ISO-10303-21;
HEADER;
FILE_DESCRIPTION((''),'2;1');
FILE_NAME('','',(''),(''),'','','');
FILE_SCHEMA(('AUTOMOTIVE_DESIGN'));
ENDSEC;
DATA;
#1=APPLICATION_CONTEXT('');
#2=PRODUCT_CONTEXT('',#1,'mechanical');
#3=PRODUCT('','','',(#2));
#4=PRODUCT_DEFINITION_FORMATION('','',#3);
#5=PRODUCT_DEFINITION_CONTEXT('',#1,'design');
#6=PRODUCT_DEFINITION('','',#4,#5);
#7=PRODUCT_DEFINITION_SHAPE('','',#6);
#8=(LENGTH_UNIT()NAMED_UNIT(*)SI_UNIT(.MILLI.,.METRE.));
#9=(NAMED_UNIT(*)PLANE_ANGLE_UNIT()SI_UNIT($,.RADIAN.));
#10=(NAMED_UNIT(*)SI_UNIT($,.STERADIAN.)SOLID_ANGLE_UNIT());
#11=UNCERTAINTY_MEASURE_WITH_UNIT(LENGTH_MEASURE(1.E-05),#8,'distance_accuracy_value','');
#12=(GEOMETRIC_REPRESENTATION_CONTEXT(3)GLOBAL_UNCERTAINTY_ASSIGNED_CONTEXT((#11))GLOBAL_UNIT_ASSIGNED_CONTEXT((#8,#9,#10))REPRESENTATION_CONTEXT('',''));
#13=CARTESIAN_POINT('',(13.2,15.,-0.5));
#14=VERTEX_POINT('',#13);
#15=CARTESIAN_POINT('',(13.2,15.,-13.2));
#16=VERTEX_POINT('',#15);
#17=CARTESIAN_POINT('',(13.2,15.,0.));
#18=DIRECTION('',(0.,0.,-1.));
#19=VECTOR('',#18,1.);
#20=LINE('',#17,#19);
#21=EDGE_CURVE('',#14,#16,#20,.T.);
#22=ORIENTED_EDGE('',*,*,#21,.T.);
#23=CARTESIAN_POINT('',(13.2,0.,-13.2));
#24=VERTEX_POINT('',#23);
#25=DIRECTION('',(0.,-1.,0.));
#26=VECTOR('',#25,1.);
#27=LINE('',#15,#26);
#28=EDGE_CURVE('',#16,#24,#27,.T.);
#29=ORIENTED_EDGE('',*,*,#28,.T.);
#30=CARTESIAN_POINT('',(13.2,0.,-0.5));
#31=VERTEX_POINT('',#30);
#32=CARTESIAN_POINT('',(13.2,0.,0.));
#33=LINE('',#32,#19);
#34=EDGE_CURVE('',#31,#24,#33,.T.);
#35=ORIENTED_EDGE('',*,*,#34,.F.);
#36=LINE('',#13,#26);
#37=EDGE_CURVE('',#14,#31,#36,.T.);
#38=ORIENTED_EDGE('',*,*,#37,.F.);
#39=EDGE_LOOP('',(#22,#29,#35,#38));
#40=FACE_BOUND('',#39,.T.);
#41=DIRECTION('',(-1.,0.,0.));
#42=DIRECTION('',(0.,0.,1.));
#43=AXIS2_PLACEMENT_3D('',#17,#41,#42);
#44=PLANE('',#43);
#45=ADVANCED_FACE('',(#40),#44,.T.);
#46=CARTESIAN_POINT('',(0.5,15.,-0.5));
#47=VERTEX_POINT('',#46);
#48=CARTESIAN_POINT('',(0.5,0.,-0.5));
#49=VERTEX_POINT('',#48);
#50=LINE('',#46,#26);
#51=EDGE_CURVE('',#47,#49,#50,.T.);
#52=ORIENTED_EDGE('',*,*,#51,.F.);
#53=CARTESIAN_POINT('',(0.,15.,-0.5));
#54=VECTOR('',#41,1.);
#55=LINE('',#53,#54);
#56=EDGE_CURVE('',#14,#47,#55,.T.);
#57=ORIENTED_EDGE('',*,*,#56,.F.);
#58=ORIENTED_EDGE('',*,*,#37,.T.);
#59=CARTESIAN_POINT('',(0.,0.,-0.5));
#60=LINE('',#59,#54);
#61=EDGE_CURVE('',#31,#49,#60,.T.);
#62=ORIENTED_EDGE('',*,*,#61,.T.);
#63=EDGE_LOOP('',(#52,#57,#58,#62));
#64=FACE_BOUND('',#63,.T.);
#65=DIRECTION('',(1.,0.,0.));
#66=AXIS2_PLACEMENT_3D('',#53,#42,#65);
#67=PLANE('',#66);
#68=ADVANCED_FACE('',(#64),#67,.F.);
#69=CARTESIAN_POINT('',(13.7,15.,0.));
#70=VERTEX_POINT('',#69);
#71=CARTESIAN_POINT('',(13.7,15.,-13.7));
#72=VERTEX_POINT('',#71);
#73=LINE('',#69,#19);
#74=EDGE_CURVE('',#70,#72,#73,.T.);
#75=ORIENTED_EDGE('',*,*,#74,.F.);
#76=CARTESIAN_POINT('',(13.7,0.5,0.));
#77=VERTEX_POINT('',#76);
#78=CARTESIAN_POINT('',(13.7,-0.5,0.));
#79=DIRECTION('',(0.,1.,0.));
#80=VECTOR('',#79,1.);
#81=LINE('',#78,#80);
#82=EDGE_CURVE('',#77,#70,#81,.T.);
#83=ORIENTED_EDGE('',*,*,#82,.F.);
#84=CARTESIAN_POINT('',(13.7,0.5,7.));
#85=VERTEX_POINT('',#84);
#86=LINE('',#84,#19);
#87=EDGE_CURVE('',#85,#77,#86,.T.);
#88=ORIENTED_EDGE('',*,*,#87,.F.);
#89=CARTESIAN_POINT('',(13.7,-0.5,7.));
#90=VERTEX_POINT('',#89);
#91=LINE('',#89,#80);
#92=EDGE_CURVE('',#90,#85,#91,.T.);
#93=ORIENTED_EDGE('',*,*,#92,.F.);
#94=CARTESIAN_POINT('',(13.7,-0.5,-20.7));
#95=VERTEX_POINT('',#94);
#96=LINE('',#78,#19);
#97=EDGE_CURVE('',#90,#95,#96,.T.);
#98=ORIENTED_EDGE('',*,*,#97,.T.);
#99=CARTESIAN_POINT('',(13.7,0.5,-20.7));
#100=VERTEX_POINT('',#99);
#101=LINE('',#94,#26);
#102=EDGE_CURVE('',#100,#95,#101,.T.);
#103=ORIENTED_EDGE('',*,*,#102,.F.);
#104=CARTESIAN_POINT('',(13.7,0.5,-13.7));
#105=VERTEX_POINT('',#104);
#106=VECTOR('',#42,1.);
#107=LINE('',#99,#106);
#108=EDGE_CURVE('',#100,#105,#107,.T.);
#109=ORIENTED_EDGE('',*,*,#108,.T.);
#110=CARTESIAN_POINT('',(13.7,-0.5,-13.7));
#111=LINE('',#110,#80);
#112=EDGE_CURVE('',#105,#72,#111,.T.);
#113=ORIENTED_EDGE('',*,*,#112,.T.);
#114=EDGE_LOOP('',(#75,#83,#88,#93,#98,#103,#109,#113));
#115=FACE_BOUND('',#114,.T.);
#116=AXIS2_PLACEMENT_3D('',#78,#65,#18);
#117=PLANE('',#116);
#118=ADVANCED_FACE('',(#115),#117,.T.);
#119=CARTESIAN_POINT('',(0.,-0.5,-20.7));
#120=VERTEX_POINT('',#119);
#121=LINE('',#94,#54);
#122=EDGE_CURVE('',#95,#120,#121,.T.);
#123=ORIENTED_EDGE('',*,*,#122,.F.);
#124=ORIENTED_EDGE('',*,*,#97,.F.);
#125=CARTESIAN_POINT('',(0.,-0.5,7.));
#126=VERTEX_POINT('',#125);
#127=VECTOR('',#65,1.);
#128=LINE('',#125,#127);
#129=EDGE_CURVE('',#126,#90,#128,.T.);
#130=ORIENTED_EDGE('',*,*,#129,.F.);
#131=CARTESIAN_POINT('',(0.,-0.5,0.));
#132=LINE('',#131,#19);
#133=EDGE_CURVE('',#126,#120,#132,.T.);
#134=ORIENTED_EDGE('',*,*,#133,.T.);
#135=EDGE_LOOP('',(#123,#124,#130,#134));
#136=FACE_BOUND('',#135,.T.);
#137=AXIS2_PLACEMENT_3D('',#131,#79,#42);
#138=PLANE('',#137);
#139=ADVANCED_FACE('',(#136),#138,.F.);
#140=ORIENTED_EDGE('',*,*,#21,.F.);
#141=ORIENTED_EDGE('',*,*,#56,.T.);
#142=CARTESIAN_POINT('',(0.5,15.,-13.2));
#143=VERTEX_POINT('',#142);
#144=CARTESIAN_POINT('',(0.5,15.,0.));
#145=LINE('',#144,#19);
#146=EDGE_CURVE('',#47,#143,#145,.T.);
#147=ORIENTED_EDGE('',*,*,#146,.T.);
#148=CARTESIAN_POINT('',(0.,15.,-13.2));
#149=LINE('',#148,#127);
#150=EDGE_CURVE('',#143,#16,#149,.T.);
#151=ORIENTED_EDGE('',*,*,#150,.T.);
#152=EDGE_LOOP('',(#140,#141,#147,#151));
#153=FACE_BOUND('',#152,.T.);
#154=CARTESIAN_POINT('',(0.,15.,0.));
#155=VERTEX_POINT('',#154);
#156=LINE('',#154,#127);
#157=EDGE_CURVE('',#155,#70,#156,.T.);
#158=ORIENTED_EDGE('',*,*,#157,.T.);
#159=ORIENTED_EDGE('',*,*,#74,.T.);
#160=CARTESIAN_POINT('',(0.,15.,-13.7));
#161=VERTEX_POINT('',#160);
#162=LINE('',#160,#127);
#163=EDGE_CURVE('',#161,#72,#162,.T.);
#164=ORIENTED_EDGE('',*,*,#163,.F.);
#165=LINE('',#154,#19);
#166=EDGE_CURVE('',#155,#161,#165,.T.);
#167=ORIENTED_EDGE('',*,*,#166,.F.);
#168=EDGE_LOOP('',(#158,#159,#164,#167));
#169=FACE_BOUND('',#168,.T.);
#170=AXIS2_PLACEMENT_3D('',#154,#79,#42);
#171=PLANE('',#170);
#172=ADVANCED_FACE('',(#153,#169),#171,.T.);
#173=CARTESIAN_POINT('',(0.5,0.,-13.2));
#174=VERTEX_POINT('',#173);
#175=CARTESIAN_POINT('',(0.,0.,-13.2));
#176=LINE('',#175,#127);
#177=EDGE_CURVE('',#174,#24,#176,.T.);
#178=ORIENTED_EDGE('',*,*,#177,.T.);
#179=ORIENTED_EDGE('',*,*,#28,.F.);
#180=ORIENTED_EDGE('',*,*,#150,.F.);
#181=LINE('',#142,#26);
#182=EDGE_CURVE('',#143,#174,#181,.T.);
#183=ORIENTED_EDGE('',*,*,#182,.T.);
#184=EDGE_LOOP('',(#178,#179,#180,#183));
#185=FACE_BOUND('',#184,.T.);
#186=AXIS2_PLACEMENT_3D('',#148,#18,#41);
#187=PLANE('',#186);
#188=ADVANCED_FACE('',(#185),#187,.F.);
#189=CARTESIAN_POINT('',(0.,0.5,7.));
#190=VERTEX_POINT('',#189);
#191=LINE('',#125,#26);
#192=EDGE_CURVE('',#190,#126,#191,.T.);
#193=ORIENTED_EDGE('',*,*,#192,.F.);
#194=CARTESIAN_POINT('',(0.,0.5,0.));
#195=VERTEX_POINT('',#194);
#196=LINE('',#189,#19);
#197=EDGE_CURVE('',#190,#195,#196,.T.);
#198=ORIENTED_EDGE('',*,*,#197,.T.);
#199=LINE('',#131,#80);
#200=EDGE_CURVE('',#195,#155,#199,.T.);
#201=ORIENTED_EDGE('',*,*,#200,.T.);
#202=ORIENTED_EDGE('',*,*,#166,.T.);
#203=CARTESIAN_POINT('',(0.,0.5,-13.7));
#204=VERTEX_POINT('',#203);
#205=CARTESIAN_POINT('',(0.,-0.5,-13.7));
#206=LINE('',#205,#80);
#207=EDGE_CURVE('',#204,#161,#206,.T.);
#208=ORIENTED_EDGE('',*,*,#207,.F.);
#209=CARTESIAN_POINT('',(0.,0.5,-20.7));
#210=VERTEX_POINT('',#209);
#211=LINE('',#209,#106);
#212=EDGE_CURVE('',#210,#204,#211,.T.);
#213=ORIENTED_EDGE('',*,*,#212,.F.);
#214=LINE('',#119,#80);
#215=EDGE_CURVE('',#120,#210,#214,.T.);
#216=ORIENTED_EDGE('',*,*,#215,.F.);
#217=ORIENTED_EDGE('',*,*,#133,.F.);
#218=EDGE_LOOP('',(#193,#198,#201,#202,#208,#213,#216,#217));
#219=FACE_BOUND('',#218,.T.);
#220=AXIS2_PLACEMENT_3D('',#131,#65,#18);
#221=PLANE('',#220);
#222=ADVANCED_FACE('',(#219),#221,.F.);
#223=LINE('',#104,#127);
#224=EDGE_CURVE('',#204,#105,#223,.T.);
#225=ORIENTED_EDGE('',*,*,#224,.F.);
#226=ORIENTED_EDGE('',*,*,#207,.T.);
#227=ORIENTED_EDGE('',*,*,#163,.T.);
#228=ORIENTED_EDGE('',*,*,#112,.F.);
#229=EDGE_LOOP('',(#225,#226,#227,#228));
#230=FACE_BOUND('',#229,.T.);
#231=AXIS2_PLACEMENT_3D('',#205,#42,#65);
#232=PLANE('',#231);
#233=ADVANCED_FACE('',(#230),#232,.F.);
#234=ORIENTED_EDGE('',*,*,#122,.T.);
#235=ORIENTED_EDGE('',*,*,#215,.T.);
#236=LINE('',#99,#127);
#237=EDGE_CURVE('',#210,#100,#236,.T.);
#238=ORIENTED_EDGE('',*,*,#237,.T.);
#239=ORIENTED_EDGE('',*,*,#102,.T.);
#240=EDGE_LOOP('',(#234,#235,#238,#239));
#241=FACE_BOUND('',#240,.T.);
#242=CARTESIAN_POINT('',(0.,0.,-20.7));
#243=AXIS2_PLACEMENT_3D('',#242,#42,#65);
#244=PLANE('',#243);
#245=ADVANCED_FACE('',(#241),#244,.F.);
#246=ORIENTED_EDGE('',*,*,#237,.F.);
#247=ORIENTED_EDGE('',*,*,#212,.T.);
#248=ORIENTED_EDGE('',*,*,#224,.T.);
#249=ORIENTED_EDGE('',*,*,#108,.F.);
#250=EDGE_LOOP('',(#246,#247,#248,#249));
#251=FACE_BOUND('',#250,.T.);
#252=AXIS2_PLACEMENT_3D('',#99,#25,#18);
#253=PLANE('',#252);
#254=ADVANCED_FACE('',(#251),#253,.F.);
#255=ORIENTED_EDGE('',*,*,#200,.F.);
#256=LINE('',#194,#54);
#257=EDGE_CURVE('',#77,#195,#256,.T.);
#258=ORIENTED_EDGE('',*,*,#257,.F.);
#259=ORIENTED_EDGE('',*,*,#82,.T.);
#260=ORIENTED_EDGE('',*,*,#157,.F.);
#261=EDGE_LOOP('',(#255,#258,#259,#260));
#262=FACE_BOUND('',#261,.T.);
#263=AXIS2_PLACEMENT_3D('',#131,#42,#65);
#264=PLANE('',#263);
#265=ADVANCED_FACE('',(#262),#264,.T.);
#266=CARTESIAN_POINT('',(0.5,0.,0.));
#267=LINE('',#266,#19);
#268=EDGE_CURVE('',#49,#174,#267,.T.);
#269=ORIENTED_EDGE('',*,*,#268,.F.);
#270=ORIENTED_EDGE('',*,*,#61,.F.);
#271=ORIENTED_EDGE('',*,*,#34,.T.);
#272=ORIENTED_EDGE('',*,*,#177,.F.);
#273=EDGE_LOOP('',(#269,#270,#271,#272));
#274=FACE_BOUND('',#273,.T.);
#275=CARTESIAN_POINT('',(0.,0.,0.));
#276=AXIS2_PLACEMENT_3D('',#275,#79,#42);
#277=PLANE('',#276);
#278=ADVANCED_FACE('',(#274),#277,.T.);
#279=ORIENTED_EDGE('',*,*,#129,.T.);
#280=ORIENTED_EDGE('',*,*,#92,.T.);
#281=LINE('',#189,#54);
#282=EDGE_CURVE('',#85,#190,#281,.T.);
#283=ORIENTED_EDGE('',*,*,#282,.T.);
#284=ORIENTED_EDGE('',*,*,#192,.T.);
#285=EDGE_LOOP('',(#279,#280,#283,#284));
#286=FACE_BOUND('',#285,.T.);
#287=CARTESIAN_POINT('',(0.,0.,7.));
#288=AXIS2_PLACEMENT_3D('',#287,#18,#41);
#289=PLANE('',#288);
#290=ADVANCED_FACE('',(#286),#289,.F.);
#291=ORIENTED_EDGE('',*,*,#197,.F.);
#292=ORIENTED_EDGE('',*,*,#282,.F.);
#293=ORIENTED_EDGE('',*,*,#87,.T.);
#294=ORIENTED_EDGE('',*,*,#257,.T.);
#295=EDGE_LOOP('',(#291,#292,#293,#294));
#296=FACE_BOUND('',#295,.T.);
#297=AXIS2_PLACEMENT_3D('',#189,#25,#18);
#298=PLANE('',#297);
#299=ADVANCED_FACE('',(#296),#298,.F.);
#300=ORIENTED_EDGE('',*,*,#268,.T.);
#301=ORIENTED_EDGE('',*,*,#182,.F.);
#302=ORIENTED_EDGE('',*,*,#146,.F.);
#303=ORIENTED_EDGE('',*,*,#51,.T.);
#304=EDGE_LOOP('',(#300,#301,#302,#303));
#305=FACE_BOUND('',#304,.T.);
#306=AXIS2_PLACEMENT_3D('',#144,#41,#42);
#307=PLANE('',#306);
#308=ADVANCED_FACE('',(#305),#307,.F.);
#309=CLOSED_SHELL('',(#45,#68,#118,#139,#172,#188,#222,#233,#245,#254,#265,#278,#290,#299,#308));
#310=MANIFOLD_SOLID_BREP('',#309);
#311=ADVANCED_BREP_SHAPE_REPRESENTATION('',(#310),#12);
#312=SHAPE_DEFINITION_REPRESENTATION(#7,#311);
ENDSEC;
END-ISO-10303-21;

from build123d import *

# Parameters (mm, degrees)
SKETCH2_W           = 13.7
SKETCH2_H           = 13.7
BOSS_EXTRUDE2_DEPTH = 0.5
SKETCH2_4_W         = 13.7
SKETCH2_4_H         = 13.7
SKETCH2_4_W_2       = 12.7
SKETCH2_4_H_2       = 12.7
BOSS_EXTRUDE3_DEPTH = 15
SKETCH3_W           = 13.7
SKETCH3_H           = 1
BOSS_EXTRUDE4_DEPTH = 7
SKETCH4_W           = 13.7
SKETCH4_H           = 1
BOSS_EXTRUDE6_DEPTH = 7


with BuildPart() as part:
    # Sketch2 → Boss-Extrude2 (new body)
    with BuildSketch(Plane(origin=(0, 0, 0), x_dir=(1, 0, 0), z_dir=(0, 1, 0))):
        with Locations((6.85, 6.85)):
            Rectangle(SKETCH2_W, SKETCH2_H)
    extrude(amount=-BOSS_EXTRUDE2_DEPTH)

    # Sketch2<4> → Boss-Extrude3 (add)
    with BuildSketch(Plane(origin=(0, 0, 0), x_dir=(1, 0, 0), z_dir=(0, 1, 0))):
        with Locations((6.85, 6.85)):
            Rectangle(SKETCH2_4_W, SKETCH2_4_H)
        with Locations((6.85, 6.85)):
            Rectangle(SKETCH2_4_W_2, SKETCH2_4_H_2, mode=Mode.SUBTRACT)
    extrude(amount=BOSS_EXTRUDE3_DEPTH)

    # Sketch3 → Boss-Extrude4 (add)
    with BuildSketch(Plane.XY):
        with Locations((6.85, 0)):
            Rectangle(SKETCH3_W, SKETCH3_H)
    extrude(amount=BOSS_EXTRUDE4_DEPTH)

    # Sketch4 → Boss-Extrude6 (add)
    with BuildSketch(Plane(origin=(0, 0, -13.7), x_dir=(-1, 0, 0), z_dir=(0, 0, -1))):
        with Locations((-6.85, 0)):
            Rectangle(SKETCH4_W, SKETCH4_H)
    extrude(amount=BOSS_EXTRUDE6_DEPTH)


solid = part.part
